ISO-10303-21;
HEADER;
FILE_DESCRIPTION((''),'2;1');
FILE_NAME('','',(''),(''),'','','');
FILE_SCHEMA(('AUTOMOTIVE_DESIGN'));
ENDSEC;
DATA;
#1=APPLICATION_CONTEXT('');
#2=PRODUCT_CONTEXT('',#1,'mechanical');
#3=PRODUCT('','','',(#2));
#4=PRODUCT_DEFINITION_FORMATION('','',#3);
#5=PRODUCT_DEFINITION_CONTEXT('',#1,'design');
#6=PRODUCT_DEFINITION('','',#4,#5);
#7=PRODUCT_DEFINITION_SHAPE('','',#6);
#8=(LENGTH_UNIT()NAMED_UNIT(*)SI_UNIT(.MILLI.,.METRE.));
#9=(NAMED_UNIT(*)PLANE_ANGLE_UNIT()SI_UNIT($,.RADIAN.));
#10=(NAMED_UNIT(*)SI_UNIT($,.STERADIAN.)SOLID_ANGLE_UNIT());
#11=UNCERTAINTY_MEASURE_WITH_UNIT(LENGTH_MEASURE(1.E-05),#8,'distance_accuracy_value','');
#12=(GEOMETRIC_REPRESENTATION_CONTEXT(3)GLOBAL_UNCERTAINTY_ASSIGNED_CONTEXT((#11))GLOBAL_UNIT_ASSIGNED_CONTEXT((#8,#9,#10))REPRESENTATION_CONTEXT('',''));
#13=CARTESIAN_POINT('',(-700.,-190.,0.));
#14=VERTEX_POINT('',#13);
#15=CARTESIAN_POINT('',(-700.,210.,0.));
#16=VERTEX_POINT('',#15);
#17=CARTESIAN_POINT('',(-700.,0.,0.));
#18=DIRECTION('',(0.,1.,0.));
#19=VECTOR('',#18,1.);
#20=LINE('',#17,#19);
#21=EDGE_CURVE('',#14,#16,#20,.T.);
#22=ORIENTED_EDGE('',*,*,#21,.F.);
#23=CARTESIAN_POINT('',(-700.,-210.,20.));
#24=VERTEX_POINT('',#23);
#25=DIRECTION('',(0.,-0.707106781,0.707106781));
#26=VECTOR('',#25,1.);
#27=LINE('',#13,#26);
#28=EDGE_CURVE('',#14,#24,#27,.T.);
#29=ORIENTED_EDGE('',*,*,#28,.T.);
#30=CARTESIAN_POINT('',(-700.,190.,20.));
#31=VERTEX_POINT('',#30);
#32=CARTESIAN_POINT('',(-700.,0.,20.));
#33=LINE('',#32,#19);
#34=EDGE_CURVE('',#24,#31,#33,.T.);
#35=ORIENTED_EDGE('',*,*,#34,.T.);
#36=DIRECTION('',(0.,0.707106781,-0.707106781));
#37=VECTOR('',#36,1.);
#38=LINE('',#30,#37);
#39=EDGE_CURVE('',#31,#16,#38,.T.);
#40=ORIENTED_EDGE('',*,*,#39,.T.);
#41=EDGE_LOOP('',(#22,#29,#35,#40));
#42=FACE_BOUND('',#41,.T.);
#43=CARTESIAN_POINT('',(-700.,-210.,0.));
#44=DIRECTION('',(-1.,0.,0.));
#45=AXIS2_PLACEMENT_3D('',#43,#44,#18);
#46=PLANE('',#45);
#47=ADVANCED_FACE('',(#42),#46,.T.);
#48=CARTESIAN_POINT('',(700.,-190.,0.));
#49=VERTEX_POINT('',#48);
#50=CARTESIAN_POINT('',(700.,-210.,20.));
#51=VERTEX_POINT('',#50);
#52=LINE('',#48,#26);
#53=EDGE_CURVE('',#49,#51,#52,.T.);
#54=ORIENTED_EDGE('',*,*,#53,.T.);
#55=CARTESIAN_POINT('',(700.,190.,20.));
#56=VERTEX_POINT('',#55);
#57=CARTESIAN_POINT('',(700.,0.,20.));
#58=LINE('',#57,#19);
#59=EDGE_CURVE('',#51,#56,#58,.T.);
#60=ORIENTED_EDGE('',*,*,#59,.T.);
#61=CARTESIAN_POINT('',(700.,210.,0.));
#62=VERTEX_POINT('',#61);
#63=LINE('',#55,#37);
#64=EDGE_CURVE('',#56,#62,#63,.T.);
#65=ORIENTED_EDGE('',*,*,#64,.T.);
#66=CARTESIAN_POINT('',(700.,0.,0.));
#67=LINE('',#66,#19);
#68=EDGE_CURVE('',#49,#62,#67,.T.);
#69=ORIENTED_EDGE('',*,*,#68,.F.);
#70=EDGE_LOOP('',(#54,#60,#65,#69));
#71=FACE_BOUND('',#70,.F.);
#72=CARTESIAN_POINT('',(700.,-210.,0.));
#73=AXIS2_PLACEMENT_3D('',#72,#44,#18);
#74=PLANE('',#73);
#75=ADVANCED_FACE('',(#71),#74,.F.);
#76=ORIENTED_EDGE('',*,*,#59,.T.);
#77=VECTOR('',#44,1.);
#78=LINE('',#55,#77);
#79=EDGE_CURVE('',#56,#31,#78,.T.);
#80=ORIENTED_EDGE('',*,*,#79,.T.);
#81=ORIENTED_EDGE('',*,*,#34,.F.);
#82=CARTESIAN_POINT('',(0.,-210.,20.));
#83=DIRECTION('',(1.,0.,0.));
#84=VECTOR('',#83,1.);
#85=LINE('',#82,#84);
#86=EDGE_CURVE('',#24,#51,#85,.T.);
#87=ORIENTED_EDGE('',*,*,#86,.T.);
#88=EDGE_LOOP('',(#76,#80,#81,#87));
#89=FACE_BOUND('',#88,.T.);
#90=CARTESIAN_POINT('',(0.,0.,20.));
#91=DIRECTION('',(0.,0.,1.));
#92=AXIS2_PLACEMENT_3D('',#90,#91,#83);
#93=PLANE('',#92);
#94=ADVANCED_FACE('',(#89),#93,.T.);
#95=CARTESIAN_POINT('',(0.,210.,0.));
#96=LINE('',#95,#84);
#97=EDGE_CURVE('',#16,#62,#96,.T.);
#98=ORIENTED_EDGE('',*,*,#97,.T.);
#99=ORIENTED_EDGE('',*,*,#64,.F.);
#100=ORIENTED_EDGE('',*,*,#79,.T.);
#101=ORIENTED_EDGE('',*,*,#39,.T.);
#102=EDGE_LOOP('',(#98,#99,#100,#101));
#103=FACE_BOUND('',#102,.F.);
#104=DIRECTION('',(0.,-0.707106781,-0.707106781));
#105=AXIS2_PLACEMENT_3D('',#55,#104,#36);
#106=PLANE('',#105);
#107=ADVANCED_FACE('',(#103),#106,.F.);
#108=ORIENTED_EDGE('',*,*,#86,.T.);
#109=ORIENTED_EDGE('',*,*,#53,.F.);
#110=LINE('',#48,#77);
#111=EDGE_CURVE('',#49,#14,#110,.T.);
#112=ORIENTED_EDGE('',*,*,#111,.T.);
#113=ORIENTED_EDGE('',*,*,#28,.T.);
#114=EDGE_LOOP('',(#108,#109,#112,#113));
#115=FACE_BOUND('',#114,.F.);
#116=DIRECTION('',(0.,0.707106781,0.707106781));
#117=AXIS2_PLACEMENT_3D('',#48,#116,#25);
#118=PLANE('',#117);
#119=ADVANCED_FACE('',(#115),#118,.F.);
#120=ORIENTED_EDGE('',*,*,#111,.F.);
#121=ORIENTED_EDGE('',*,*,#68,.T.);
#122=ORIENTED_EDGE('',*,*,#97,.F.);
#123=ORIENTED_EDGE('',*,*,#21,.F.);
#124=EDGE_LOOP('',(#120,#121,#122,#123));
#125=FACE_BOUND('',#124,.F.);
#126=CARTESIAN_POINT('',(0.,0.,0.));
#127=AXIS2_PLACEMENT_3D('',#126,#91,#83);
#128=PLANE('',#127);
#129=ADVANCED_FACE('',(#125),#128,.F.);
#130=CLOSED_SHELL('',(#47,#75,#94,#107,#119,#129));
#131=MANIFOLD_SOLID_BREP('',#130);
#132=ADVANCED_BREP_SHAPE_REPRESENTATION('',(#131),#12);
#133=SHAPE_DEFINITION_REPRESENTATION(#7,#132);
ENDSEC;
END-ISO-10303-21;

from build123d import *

# Parameters (mm, degrees)
F0_W     = 1400
F0_H     = 420
F1_DEPTH = 20
F3_DEPTH = 1400


with BuildPart() as f1:
    # F0 (on Top) → F1 (new body)
    with BuildSketch(Plane.XY):
        Rectangle(F0_W, F0_H)
    extrude(amount=F1_DEPTH)

    # F2 (on face) → F3 (cut)
    with BuildSketch(Plane.YZ.offset(700)):
        Polygon((-190, 0), (-210, 20), (-210, 0), align=None)
        Polygon((190, 20), (210, 0), (210, 20), align=None)
    extrude(amount=-F3_DEPTH, mode=Mode.SUBTRACT)


solid = f1.part
